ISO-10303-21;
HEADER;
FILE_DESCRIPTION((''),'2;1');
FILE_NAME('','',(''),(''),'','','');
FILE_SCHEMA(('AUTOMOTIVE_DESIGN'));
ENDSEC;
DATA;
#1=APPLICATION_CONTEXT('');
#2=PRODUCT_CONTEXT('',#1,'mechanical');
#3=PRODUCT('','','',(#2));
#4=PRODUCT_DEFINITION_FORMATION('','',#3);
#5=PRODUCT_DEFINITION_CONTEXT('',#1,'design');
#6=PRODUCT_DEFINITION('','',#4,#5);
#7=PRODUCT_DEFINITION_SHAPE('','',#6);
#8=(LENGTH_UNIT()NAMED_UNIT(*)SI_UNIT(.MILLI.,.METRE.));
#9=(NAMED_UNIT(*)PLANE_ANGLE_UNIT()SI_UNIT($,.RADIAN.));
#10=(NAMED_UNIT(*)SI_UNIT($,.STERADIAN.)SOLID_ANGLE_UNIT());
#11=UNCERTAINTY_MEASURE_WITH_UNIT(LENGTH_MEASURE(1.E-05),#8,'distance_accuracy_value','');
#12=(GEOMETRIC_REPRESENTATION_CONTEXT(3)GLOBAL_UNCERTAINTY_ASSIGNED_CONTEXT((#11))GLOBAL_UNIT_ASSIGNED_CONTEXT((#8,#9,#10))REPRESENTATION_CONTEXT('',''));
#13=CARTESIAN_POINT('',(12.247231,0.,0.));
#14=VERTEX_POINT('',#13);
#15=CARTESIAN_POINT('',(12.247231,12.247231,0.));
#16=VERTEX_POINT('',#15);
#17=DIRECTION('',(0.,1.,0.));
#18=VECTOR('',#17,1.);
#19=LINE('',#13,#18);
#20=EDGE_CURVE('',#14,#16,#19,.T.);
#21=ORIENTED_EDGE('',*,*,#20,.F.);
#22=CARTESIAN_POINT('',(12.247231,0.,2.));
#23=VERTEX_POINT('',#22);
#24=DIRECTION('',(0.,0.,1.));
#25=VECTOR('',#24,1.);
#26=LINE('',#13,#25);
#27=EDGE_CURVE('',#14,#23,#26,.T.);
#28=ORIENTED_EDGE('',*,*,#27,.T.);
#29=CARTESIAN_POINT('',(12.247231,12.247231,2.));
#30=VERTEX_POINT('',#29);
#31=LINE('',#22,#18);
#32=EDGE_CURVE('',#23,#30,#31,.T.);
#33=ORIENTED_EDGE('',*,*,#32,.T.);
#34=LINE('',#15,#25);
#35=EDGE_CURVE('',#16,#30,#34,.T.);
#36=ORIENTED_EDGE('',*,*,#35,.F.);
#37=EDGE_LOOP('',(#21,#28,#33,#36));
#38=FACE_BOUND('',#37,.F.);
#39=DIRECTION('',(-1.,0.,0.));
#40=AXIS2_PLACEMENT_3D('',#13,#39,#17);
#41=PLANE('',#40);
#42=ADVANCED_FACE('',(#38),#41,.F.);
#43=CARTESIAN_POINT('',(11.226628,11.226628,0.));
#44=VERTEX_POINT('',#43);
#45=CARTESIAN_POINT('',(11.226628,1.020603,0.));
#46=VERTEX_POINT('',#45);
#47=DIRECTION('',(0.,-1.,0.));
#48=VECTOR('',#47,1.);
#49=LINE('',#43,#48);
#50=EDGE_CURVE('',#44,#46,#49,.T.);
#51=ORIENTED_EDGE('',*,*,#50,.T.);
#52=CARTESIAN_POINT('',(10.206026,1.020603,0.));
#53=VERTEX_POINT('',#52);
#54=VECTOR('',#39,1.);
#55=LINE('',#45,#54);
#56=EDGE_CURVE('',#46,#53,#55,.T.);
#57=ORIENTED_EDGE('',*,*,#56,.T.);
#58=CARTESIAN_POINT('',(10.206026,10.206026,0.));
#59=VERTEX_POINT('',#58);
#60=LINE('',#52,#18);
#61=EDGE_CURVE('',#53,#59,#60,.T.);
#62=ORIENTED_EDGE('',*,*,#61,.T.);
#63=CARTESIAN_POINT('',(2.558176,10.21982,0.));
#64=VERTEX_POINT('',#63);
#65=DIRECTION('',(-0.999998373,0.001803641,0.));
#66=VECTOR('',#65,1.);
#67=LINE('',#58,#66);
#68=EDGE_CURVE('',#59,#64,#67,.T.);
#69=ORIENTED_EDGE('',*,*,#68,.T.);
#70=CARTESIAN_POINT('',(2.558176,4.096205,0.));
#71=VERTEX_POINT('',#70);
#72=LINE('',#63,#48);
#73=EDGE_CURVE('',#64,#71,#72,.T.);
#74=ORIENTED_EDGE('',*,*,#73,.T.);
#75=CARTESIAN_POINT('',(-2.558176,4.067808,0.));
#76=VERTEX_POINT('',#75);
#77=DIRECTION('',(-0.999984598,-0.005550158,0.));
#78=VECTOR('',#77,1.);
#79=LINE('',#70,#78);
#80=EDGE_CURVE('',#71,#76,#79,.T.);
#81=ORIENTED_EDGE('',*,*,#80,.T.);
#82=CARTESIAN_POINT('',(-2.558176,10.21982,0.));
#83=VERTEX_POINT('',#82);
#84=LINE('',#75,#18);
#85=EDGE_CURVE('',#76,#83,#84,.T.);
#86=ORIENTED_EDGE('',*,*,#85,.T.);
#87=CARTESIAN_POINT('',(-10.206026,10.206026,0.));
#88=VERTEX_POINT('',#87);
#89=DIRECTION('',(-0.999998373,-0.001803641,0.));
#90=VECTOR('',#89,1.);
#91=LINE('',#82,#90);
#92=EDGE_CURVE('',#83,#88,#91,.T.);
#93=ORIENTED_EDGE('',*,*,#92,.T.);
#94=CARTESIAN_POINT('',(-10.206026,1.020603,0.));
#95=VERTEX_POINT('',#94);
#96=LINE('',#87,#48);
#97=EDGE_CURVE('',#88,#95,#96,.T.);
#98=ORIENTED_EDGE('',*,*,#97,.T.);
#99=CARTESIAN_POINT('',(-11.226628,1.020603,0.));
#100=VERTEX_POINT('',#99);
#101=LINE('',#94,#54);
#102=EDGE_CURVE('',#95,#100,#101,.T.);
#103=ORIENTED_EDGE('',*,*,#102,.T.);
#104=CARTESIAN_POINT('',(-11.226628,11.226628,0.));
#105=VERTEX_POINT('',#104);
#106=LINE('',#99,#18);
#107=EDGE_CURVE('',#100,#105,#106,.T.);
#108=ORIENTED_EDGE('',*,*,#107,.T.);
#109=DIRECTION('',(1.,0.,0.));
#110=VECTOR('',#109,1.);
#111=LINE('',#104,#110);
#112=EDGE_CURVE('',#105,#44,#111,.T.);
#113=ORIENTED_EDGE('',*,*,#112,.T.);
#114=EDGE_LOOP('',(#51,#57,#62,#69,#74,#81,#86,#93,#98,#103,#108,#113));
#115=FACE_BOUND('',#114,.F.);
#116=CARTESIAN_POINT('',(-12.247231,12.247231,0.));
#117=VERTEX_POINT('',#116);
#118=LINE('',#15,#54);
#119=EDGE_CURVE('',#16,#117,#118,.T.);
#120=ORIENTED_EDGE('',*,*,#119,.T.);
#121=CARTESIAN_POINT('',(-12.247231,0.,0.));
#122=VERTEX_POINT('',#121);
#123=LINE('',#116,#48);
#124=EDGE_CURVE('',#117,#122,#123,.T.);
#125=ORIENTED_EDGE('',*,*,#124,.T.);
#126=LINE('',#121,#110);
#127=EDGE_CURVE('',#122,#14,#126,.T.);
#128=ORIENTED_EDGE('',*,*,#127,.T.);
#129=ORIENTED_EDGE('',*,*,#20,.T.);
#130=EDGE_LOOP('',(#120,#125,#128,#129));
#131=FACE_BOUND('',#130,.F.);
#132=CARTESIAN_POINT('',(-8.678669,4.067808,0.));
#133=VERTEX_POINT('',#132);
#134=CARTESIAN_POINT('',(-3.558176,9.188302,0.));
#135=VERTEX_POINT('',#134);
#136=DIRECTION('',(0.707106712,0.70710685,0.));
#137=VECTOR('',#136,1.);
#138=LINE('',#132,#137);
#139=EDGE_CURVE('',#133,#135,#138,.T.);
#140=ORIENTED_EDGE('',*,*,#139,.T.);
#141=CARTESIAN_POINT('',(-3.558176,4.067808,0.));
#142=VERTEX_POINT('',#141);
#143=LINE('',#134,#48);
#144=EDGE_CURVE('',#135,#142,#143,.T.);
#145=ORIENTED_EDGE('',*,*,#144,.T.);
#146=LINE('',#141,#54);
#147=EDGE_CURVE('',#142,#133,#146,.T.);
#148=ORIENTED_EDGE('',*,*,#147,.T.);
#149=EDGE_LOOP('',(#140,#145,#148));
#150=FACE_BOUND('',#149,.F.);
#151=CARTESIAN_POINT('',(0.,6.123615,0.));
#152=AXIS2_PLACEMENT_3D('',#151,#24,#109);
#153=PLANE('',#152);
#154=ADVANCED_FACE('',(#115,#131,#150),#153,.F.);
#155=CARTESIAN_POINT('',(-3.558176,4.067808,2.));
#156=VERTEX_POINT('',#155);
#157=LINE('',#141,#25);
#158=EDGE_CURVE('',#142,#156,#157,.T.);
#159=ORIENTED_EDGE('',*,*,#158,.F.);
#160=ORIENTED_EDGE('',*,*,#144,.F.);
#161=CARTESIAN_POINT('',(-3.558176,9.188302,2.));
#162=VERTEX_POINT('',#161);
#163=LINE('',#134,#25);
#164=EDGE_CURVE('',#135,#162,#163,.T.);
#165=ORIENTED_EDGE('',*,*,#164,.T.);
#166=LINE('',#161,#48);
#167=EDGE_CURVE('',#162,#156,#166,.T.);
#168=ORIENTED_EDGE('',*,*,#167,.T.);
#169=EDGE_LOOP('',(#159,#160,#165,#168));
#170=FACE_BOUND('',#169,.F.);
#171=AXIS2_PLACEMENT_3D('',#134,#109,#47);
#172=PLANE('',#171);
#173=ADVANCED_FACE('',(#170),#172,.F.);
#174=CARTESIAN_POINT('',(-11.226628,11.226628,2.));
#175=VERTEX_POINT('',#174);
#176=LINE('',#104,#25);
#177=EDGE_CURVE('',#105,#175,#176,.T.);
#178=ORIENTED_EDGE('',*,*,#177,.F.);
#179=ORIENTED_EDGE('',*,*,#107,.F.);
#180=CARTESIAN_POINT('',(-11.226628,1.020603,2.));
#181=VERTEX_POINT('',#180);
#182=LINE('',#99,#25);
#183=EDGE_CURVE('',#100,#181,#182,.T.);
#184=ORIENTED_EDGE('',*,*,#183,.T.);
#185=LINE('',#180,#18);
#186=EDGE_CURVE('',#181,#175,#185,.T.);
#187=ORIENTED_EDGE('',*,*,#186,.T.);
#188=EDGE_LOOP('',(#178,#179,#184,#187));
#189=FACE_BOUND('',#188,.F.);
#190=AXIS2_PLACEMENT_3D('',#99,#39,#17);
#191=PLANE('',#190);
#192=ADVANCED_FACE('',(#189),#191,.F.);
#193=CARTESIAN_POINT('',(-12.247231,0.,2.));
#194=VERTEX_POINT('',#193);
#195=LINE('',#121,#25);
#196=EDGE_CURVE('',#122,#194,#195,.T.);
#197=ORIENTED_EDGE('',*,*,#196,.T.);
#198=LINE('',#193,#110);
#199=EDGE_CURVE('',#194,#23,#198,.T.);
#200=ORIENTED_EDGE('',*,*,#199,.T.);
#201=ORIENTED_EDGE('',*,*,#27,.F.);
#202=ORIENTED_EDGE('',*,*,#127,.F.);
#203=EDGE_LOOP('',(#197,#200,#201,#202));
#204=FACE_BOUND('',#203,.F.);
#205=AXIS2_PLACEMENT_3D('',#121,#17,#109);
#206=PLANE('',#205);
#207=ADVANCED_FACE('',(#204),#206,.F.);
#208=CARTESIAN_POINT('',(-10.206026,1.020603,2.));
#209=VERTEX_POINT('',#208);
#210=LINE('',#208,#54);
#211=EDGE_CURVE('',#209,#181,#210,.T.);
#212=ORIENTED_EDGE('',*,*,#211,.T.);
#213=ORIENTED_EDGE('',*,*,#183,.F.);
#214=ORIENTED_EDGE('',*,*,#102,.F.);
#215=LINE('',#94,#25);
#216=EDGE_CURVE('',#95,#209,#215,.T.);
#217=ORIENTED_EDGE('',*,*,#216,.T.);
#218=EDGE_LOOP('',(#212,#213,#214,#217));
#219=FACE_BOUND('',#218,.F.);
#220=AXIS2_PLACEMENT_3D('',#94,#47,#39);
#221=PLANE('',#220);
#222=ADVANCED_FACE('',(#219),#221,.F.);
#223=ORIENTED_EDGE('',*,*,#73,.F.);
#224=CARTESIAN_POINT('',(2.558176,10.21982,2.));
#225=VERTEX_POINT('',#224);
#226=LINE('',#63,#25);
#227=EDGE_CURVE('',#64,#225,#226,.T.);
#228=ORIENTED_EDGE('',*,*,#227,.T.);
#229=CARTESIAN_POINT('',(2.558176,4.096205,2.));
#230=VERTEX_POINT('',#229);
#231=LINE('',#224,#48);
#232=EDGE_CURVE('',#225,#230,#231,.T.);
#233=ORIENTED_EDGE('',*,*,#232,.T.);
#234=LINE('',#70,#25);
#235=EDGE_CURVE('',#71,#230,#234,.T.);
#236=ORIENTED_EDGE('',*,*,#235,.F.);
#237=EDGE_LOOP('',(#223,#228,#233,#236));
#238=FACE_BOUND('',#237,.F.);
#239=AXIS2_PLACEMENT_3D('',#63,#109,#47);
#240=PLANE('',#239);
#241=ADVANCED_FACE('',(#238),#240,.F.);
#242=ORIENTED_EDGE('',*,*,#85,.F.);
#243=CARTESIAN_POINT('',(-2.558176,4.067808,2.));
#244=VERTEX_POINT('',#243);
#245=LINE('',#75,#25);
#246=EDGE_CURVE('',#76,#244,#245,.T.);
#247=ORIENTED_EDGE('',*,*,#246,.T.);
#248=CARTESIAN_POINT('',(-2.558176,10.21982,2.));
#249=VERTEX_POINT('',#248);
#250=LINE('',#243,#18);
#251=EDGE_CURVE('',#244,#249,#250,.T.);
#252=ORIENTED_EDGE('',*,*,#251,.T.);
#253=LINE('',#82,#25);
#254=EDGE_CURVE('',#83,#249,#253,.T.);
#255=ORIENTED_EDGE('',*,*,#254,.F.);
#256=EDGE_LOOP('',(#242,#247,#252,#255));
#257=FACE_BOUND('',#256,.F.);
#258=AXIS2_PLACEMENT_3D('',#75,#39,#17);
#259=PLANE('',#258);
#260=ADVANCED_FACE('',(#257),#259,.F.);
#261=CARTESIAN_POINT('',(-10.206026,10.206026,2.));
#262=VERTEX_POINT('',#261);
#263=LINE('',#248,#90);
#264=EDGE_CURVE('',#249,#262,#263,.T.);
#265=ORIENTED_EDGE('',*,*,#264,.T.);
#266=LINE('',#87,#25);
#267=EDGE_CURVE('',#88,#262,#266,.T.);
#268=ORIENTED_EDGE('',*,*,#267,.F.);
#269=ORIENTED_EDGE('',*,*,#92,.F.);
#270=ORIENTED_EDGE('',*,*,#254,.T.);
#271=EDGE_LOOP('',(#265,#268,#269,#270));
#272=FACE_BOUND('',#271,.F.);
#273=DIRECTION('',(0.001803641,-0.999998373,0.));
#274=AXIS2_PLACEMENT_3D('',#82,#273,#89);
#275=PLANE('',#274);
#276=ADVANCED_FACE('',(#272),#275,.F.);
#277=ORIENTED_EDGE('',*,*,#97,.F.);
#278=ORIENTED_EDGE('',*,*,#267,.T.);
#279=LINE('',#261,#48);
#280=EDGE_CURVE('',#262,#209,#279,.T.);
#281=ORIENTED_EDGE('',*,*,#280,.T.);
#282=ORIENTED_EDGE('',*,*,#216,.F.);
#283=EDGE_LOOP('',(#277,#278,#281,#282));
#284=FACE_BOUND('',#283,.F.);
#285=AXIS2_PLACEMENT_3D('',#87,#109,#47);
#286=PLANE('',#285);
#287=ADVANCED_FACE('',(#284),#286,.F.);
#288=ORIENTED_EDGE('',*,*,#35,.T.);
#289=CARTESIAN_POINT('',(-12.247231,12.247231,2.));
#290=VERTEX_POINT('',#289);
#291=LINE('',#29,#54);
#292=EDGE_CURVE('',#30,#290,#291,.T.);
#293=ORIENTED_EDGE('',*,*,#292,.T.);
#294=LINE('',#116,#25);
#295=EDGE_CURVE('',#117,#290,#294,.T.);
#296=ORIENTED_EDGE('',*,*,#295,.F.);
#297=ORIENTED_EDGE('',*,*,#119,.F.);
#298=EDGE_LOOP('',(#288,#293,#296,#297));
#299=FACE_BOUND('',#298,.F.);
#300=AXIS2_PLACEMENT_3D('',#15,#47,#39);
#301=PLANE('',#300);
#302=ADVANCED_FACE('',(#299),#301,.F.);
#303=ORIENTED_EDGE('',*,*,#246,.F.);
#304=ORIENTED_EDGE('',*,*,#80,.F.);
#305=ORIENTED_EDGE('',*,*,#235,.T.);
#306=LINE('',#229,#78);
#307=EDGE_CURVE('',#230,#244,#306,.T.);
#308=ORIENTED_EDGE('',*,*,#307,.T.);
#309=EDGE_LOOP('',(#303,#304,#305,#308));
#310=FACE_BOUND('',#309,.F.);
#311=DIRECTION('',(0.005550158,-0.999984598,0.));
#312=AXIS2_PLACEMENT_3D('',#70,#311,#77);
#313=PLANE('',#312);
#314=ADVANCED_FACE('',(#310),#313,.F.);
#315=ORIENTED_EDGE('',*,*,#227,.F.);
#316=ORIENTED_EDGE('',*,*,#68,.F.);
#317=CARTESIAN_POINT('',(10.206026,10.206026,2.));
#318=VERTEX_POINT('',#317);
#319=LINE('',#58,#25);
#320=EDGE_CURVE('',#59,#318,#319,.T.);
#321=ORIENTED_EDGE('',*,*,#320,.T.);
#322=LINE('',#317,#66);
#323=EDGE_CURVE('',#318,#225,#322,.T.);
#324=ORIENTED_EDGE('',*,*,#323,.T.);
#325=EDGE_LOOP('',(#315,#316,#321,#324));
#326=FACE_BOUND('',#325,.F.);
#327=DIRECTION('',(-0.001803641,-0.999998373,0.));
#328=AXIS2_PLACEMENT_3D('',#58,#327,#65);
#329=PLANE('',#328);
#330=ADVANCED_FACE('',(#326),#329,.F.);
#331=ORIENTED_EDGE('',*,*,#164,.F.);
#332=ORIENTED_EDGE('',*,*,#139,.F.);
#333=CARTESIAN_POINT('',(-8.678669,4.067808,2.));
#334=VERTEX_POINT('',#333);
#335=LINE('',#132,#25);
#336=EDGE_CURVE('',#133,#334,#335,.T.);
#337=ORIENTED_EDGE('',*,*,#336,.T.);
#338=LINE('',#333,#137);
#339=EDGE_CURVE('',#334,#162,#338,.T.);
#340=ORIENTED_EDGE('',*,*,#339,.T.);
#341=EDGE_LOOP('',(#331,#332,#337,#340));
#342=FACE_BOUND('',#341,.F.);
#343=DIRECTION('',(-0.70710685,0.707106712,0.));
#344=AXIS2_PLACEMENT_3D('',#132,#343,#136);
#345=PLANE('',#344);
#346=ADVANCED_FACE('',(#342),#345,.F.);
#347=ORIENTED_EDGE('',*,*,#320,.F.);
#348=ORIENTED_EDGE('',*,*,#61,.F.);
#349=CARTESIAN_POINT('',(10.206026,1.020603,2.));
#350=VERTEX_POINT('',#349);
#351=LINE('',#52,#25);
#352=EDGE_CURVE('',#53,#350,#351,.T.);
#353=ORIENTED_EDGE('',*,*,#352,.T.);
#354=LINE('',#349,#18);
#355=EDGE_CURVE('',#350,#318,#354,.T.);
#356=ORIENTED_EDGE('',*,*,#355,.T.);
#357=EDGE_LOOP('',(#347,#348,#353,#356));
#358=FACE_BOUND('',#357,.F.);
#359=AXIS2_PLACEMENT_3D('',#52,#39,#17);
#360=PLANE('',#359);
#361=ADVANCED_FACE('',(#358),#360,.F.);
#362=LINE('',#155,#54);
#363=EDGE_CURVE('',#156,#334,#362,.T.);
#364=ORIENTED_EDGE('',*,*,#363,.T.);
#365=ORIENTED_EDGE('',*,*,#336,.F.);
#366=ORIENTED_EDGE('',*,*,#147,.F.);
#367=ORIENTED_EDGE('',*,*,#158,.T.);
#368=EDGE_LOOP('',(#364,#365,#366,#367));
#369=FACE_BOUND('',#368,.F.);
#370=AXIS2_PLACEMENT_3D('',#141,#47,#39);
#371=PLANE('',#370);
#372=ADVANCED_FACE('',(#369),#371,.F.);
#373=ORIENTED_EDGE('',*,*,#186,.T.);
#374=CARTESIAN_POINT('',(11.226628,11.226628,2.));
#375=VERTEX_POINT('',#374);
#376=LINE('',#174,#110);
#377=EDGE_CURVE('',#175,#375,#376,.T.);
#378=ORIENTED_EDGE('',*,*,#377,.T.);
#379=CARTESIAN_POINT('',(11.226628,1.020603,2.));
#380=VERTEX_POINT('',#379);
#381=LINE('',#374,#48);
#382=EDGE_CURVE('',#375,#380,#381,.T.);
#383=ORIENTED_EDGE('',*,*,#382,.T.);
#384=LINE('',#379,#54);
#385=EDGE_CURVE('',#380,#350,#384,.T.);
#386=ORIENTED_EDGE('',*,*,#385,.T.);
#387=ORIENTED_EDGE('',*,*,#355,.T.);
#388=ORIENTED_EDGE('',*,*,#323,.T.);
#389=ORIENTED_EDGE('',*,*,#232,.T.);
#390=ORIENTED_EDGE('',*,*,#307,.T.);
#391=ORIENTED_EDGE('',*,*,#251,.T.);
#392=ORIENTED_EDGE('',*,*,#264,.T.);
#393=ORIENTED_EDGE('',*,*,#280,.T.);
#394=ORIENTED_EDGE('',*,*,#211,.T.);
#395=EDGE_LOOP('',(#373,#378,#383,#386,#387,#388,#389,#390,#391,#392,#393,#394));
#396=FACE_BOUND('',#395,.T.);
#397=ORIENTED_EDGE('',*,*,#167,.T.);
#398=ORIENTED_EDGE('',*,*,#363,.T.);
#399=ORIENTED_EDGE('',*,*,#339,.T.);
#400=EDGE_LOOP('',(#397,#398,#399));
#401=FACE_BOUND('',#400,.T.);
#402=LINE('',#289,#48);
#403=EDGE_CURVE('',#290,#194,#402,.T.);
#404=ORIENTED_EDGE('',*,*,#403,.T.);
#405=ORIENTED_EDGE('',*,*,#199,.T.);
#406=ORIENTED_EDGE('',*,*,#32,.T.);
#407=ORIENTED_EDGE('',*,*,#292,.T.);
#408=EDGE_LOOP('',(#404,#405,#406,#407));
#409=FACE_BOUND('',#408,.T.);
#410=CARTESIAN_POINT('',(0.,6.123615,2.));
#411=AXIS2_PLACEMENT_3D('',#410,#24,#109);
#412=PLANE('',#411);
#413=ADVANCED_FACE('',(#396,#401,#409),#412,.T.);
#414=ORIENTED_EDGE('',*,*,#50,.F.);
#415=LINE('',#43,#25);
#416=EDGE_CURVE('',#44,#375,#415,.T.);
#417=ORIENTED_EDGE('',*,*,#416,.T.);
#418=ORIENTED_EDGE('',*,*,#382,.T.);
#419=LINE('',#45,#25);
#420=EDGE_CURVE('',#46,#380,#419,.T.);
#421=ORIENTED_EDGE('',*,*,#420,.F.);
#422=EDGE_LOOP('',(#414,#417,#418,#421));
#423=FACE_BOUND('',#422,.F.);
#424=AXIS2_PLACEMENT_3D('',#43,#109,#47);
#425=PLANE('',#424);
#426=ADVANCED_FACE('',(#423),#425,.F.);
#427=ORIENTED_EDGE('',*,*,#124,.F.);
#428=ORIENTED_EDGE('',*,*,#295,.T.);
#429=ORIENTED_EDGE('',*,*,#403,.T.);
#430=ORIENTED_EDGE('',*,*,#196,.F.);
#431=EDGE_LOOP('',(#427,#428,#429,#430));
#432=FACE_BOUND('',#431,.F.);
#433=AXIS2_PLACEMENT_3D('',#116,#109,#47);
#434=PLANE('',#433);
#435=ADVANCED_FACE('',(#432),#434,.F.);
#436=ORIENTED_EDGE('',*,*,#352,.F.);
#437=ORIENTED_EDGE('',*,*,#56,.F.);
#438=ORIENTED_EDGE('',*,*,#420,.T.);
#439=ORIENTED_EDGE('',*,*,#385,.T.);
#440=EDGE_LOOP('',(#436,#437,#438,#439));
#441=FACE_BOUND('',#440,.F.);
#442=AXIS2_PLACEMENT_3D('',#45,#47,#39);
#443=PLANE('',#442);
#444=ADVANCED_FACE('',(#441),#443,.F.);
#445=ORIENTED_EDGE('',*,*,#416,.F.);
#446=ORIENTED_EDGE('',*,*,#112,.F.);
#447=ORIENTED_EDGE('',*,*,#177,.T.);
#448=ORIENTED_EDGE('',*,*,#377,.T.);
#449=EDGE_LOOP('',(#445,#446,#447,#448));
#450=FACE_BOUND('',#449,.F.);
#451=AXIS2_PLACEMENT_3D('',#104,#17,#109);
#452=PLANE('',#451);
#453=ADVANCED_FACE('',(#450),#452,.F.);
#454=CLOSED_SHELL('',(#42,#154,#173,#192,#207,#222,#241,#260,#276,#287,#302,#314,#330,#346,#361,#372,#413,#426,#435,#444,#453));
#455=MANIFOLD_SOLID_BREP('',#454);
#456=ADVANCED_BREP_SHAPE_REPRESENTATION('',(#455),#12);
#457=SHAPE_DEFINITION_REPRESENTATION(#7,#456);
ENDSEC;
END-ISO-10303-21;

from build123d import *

# Parameters (mm, degrees)
F1_DEPTH = 2


with BuildPart() as f1:
    # F0 (on Top) → F1 (new body)
    with BuildSketch(Plane.XY):
        Polygon((-10.206026, 0), (0, 0), (10.206026, 0), (11.226628, 0), (12.247231, 0), (12.247231, 12.247231), (0, 12.247231), (-12.247231, 12.247231), (-12.247231, 0), (-11.226628, 0), align=None)
        Polygon((-11.226628, 11.226628), (0, 11.226628), (11.226628, 11.226628), (11.226628, 1.020603), (10.206026, 1.020603), (10.206026, 10.206026), (2.558176, 10.21982), (2.558176, 4.096205), (-2.558176, 4.067808), (-2.558176, 10.21982), (-10.206026, 10.206026), (-10.206026, 1.020603), (-11.226628, 1.020603), align=None, mode=Mode.SUBTRACT)
        Polygon((-3.558176, 9.188302), (-3.558176, 4.067808), (-8.678669, 4.067808), align=None, mode=Mode.SUBTRACT)
    extrude(amount=F1_DEPTH)


solid = f1.part
